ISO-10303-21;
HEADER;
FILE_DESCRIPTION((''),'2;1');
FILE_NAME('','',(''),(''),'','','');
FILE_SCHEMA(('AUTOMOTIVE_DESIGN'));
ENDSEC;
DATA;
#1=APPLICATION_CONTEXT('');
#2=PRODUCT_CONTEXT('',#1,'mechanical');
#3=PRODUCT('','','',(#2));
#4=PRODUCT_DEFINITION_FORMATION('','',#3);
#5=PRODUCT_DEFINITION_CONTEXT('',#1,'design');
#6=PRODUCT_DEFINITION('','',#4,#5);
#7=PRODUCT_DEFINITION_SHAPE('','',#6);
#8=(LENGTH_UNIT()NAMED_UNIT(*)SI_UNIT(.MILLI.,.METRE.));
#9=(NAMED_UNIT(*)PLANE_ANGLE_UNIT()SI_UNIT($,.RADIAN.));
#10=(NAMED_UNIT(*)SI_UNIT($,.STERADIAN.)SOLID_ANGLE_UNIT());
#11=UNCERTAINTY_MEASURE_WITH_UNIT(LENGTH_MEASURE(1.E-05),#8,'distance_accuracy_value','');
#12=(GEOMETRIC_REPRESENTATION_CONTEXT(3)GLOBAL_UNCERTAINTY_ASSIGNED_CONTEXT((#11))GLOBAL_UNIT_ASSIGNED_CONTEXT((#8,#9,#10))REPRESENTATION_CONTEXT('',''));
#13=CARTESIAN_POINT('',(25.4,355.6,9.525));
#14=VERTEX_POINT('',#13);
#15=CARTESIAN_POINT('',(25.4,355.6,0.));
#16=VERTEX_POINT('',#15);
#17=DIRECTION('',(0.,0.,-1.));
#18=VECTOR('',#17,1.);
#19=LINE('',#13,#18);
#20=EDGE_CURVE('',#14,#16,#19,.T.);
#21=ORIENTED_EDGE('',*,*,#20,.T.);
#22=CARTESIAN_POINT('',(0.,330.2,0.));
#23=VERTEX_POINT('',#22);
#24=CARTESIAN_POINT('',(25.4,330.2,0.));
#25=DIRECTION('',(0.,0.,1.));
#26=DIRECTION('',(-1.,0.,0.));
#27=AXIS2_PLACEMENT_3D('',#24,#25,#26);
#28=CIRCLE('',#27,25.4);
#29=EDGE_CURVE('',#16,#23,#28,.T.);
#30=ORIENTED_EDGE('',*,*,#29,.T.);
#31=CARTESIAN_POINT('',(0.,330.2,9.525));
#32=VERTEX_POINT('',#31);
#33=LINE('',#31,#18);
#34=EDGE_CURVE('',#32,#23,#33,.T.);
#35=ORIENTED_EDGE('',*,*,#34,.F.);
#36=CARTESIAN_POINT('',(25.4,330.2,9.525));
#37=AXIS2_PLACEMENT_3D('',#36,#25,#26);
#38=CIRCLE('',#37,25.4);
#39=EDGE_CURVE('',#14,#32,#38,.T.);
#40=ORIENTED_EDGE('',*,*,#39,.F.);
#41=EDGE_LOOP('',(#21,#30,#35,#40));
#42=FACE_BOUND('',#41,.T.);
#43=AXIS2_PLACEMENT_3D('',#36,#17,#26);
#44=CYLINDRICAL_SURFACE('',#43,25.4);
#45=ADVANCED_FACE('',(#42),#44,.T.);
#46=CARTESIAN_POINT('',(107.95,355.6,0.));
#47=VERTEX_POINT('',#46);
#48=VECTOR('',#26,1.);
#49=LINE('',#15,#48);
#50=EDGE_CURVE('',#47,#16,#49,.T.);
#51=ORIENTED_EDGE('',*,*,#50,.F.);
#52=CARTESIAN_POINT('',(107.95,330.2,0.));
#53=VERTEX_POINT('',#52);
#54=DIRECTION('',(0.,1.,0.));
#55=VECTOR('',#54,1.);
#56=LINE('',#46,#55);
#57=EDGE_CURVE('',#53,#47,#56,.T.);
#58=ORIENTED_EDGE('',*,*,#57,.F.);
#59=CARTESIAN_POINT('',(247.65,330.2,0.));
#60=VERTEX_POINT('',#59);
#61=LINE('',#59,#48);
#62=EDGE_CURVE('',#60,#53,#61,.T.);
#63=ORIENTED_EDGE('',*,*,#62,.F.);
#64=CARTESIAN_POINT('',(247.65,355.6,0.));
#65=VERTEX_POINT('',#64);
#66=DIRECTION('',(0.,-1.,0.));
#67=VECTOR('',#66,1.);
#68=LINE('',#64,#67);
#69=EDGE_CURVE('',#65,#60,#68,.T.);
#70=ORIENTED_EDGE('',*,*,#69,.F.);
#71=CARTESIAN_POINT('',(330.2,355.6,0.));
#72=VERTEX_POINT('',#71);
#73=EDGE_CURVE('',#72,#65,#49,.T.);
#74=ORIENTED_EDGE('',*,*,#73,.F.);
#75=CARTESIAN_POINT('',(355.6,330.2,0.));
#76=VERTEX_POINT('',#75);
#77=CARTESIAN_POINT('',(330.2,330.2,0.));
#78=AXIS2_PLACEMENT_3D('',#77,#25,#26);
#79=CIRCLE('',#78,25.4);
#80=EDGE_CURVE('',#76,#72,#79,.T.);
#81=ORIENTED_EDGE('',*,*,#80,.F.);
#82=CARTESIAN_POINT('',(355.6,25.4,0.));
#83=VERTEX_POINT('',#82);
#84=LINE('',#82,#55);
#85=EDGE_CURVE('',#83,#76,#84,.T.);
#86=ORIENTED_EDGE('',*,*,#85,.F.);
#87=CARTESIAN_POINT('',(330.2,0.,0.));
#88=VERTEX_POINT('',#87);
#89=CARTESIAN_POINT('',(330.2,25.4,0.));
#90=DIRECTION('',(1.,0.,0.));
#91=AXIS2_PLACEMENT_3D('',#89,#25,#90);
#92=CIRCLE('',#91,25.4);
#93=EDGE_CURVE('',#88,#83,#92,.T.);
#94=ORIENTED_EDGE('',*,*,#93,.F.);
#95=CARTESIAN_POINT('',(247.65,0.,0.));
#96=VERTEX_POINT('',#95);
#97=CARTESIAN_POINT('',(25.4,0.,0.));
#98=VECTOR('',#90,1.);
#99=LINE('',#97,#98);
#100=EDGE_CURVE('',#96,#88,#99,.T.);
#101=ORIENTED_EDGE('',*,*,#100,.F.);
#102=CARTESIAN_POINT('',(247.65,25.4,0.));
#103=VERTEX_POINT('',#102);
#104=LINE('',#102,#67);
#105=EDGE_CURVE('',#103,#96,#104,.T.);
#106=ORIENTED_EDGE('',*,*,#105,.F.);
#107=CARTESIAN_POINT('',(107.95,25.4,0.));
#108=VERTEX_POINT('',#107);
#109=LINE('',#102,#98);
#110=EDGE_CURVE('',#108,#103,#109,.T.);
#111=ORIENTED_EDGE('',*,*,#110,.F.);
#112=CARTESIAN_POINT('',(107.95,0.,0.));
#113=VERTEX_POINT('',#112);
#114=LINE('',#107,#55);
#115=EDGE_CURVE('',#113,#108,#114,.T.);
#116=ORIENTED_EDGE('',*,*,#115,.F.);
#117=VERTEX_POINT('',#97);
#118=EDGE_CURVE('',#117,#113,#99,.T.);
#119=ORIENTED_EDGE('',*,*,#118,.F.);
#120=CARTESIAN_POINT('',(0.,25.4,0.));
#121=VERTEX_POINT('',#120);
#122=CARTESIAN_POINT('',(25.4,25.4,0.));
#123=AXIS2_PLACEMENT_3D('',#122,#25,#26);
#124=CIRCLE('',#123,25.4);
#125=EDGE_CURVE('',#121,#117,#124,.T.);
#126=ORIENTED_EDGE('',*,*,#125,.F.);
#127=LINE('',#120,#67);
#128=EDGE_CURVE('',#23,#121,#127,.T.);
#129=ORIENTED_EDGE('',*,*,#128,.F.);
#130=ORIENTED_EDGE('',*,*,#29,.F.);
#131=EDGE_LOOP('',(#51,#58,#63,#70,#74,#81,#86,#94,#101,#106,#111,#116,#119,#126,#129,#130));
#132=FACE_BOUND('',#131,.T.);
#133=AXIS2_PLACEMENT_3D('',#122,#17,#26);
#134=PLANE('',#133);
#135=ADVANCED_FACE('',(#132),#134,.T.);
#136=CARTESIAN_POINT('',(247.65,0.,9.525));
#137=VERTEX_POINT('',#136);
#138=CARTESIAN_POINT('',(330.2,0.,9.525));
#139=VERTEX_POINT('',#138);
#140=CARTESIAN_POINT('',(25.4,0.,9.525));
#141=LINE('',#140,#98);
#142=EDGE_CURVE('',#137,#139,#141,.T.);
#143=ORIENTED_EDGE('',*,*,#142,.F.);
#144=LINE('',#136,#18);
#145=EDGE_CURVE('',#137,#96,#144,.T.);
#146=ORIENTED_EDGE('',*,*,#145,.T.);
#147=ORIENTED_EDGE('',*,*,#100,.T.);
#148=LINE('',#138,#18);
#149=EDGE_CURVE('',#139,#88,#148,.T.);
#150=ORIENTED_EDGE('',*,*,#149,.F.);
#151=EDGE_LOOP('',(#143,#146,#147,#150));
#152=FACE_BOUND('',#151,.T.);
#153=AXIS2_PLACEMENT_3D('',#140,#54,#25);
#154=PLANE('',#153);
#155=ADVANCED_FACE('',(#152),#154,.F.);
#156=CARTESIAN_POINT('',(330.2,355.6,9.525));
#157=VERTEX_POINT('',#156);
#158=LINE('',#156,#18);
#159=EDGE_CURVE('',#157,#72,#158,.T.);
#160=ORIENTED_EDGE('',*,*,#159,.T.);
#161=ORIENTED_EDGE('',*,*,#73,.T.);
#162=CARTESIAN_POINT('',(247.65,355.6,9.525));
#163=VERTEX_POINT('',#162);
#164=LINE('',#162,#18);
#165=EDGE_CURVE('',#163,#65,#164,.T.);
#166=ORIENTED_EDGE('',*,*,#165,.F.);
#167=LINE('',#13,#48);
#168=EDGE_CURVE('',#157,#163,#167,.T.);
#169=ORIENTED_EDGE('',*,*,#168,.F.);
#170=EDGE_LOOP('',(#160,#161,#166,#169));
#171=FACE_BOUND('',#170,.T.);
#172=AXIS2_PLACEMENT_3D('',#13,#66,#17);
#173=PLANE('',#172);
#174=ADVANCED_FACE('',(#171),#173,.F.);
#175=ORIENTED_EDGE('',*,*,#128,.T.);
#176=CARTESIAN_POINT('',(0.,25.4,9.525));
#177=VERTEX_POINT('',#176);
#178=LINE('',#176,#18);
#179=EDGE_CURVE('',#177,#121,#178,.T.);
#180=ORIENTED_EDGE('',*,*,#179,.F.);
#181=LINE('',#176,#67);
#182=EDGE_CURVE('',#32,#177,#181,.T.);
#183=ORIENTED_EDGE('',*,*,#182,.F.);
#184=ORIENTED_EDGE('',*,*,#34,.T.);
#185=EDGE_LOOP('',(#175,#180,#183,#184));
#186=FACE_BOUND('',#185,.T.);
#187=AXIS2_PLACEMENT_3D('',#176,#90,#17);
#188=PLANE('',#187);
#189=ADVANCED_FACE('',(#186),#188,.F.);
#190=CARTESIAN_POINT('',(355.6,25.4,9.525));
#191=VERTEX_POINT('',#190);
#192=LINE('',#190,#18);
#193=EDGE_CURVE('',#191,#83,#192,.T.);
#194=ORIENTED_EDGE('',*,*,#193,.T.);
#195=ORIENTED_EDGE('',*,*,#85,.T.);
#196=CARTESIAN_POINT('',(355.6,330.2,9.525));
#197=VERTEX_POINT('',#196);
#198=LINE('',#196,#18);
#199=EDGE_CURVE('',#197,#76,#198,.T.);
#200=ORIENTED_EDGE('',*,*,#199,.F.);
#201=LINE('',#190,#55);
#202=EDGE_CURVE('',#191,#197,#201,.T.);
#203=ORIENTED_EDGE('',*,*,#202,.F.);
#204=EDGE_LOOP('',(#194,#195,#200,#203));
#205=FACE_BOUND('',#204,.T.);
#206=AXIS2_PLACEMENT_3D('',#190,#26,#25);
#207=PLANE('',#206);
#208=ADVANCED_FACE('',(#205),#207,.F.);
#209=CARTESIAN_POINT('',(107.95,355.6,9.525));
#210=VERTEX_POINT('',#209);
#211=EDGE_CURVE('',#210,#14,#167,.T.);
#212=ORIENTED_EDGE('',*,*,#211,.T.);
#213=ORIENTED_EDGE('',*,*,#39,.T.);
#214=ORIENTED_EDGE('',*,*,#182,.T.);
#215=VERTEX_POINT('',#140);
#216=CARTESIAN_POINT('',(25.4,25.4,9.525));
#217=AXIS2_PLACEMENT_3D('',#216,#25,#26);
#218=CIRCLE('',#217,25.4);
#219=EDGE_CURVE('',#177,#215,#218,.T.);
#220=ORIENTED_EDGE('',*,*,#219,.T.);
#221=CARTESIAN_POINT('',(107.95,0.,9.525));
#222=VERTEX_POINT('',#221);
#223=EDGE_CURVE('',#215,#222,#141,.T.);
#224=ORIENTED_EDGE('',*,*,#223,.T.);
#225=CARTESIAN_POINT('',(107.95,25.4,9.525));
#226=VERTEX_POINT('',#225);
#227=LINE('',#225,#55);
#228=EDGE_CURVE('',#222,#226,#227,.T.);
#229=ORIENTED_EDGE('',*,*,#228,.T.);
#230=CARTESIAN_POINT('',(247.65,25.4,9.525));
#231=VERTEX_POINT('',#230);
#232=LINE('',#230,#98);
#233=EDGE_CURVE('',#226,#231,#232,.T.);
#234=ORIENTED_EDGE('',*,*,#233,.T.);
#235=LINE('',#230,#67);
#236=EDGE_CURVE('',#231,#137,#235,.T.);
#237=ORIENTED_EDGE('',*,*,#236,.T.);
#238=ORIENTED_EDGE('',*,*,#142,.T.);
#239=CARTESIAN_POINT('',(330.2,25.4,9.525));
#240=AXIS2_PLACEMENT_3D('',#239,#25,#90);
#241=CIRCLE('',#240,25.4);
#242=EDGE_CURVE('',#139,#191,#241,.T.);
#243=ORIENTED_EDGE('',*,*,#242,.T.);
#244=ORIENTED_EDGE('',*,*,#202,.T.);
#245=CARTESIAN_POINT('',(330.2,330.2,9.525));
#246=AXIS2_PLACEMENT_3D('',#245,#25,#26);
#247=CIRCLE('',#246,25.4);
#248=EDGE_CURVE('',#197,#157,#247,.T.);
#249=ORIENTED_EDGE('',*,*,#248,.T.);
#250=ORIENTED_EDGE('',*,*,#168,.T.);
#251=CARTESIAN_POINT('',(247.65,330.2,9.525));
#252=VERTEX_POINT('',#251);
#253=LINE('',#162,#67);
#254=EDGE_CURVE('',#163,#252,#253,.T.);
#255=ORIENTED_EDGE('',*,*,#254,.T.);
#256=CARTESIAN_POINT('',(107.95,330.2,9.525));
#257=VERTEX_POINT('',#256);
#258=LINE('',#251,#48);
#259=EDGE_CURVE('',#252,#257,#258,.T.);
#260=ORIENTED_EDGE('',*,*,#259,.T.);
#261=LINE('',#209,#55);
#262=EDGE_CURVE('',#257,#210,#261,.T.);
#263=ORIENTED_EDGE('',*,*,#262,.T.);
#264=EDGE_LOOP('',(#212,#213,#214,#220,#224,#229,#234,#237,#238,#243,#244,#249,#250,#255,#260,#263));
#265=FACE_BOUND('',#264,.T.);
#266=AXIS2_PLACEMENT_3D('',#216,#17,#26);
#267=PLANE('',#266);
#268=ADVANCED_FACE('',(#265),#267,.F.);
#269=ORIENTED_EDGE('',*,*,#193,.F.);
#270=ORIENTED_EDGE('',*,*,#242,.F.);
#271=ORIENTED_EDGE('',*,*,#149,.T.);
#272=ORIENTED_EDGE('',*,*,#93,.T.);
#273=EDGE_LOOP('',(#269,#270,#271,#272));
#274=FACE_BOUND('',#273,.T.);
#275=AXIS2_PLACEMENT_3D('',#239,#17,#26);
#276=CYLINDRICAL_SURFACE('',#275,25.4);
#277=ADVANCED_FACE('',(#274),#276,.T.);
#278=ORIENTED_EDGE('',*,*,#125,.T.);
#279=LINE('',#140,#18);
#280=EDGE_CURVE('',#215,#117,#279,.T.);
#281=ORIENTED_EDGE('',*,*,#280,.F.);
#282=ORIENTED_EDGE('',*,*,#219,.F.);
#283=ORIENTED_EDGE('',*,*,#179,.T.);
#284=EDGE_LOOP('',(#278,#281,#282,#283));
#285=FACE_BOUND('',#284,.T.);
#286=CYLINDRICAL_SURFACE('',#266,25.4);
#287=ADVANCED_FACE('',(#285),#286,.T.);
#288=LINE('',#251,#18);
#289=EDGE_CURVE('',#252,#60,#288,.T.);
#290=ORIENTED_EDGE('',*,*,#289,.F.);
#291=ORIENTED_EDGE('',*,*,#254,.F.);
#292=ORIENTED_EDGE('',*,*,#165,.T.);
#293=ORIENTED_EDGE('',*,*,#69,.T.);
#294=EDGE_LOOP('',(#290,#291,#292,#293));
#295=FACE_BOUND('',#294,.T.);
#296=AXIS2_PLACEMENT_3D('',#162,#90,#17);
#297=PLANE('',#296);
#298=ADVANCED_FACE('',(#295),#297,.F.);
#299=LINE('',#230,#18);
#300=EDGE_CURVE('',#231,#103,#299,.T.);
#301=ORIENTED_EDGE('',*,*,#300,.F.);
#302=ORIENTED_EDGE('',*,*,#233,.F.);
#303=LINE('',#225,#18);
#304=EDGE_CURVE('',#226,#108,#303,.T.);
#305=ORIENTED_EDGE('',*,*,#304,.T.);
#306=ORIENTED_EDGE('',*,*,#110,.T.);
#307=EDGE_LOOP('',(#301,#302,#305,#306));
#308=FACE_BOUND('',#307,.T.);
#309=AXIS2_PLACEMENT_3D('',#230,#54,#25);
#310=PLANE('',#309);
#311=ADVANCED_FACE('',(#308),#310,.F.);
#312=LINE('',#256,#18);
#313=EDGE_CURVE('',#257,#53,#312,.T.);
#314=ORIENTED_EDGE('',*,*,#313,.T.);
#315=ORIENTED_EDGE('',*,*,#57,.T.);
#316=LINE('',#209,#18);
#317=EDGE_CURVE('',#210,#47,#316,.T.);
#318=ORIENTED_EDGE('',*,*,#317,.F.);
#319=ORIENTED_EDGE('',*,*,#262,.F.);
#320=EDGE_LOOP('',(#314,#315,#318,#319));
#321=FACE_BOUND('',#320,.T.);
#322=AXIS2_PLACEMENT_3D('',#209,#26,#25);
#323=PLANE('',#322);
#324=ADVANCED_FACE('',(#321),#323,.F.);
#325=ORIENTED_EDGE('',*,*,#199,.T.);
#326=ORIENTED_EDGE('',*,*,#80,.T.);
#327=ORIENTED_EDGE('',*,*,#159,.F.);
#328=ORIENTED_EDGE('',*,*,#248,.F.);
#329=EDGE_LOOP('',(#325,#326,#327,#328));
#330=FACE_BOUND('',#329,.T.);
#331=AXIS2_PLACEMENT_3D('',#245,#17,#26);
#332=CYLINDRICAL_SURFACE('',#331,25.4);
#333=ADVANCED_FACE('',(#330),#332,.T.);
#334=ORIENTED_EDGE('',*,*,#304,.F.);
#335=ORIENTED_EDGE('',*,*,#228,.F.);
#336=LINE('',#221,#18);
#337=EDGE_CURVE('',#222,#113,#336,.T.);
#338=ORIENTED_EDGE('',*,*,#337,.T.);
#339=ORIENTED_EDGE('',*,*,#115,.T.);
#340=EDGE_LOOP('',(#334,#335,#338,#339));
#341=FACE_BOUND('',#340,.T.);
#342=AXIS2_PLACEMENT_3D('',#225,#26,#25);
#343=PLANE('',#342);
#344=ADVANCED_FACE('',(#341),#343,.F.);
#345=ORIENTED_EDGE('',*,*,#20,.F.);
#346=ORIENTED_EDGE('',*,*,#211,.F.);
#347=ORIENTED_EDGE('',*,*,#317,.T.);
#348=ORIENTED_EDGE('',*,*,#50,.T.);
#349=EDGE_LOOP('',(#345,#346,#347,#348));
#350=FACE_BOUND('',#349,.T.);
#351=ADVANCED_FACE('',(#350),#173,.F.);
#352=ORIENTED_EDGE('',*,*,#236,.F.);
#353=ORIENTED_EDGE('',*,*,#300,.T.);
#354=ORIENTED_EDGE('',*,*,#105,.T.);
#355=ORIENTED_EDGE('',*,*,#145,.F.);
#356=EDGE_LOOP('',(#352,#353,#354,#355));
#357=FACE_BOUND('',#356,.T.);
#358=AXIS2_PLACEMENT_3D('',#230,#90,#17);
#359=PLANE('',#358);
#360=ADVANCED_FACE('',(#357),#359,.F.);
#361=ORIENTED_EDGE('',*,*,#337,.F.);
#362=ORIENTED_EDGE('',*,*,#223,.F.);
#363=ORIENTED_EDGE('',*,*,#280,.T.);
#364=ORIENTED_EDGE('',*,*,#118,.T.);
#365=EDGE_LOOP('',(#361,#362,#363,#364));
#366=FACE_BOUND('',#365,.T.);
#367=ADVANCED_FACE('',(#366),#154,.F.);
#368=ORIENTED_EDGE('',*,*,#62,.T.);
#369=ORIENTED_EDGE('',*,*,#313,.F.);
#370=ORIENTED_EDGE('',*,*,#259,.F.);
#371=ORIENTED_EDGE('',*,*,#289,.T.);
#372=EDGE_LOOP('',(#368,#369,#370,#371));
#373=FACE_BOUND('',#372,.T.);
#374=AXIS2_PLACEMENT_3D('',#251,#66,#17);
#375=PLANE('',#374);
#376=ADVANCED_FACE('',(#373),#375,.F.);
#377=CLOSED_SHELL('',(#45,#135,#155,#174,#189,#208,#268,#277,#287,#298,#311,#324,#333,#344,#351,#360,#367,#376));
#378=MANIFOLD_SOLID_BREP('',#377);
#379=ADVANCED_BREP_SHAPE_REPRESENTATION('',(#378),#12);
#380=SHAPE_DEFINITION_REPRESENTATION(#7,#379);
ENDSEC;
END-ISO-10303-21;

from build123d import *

# Parameters (mm, degrees)
BOSS_EXTRUDE1_DEPTH = 9.525
SKETCH2_W           = 139.7
SKETCH2_H           = 25.4
CUT_EXTRUDE1_DEPTH  = 503.984538157


with BuildPart() as part:
    # Sketch1 → Boss-Extrude1 (new body)
    with BuildSketch(Plane.XY):
        with BuildLine():
            Line((25.4, 0), (330.2, 0))
            ThreePointArc((330.2, 0), (348.160512242, 7.439487758), (355.6, 25.4))
            Line((355.6, 25.4), (355.6, 330.2))
            ThreePointArc((355.6, 330.2), (348.160512242, 348.160512242), (330.2, 355.6))
            Line((330.2, 355.6), (25.4, 355.6))
            ThreePointArc((25.4, 355.6), (7.439487758, 348.160512242), (0, 330.2))
            Line((0, 330.2), (0, 25.4))
            ThreePointArc((0, 25.4), (7.439487758, 7.439487758), (25.4, 0))
        make_face()
    extrude(amount=BOSS_EXTRUDE1_DEPTH)

    # Sketch2 → Cut-Extrude1 (cut, through all)
    with BuildSketch(Plane(origin=(0, 0, 0), x_dir=(-1, 0, 0), z_dir=(0, 0, -1))):
        with Locations((-177.8, 342.9)):
            Rectangle(SKETCH2_W, SKETCH2_H)
        with Locations((-177.8, 12.7)):
            Rectangle(SKETCH2_W, SKETCH2_H)
    extrude(amount=-CUT_EXTRUDE1_DEPTH, mode=Mode.SUBTRACT)


solid = part.part
